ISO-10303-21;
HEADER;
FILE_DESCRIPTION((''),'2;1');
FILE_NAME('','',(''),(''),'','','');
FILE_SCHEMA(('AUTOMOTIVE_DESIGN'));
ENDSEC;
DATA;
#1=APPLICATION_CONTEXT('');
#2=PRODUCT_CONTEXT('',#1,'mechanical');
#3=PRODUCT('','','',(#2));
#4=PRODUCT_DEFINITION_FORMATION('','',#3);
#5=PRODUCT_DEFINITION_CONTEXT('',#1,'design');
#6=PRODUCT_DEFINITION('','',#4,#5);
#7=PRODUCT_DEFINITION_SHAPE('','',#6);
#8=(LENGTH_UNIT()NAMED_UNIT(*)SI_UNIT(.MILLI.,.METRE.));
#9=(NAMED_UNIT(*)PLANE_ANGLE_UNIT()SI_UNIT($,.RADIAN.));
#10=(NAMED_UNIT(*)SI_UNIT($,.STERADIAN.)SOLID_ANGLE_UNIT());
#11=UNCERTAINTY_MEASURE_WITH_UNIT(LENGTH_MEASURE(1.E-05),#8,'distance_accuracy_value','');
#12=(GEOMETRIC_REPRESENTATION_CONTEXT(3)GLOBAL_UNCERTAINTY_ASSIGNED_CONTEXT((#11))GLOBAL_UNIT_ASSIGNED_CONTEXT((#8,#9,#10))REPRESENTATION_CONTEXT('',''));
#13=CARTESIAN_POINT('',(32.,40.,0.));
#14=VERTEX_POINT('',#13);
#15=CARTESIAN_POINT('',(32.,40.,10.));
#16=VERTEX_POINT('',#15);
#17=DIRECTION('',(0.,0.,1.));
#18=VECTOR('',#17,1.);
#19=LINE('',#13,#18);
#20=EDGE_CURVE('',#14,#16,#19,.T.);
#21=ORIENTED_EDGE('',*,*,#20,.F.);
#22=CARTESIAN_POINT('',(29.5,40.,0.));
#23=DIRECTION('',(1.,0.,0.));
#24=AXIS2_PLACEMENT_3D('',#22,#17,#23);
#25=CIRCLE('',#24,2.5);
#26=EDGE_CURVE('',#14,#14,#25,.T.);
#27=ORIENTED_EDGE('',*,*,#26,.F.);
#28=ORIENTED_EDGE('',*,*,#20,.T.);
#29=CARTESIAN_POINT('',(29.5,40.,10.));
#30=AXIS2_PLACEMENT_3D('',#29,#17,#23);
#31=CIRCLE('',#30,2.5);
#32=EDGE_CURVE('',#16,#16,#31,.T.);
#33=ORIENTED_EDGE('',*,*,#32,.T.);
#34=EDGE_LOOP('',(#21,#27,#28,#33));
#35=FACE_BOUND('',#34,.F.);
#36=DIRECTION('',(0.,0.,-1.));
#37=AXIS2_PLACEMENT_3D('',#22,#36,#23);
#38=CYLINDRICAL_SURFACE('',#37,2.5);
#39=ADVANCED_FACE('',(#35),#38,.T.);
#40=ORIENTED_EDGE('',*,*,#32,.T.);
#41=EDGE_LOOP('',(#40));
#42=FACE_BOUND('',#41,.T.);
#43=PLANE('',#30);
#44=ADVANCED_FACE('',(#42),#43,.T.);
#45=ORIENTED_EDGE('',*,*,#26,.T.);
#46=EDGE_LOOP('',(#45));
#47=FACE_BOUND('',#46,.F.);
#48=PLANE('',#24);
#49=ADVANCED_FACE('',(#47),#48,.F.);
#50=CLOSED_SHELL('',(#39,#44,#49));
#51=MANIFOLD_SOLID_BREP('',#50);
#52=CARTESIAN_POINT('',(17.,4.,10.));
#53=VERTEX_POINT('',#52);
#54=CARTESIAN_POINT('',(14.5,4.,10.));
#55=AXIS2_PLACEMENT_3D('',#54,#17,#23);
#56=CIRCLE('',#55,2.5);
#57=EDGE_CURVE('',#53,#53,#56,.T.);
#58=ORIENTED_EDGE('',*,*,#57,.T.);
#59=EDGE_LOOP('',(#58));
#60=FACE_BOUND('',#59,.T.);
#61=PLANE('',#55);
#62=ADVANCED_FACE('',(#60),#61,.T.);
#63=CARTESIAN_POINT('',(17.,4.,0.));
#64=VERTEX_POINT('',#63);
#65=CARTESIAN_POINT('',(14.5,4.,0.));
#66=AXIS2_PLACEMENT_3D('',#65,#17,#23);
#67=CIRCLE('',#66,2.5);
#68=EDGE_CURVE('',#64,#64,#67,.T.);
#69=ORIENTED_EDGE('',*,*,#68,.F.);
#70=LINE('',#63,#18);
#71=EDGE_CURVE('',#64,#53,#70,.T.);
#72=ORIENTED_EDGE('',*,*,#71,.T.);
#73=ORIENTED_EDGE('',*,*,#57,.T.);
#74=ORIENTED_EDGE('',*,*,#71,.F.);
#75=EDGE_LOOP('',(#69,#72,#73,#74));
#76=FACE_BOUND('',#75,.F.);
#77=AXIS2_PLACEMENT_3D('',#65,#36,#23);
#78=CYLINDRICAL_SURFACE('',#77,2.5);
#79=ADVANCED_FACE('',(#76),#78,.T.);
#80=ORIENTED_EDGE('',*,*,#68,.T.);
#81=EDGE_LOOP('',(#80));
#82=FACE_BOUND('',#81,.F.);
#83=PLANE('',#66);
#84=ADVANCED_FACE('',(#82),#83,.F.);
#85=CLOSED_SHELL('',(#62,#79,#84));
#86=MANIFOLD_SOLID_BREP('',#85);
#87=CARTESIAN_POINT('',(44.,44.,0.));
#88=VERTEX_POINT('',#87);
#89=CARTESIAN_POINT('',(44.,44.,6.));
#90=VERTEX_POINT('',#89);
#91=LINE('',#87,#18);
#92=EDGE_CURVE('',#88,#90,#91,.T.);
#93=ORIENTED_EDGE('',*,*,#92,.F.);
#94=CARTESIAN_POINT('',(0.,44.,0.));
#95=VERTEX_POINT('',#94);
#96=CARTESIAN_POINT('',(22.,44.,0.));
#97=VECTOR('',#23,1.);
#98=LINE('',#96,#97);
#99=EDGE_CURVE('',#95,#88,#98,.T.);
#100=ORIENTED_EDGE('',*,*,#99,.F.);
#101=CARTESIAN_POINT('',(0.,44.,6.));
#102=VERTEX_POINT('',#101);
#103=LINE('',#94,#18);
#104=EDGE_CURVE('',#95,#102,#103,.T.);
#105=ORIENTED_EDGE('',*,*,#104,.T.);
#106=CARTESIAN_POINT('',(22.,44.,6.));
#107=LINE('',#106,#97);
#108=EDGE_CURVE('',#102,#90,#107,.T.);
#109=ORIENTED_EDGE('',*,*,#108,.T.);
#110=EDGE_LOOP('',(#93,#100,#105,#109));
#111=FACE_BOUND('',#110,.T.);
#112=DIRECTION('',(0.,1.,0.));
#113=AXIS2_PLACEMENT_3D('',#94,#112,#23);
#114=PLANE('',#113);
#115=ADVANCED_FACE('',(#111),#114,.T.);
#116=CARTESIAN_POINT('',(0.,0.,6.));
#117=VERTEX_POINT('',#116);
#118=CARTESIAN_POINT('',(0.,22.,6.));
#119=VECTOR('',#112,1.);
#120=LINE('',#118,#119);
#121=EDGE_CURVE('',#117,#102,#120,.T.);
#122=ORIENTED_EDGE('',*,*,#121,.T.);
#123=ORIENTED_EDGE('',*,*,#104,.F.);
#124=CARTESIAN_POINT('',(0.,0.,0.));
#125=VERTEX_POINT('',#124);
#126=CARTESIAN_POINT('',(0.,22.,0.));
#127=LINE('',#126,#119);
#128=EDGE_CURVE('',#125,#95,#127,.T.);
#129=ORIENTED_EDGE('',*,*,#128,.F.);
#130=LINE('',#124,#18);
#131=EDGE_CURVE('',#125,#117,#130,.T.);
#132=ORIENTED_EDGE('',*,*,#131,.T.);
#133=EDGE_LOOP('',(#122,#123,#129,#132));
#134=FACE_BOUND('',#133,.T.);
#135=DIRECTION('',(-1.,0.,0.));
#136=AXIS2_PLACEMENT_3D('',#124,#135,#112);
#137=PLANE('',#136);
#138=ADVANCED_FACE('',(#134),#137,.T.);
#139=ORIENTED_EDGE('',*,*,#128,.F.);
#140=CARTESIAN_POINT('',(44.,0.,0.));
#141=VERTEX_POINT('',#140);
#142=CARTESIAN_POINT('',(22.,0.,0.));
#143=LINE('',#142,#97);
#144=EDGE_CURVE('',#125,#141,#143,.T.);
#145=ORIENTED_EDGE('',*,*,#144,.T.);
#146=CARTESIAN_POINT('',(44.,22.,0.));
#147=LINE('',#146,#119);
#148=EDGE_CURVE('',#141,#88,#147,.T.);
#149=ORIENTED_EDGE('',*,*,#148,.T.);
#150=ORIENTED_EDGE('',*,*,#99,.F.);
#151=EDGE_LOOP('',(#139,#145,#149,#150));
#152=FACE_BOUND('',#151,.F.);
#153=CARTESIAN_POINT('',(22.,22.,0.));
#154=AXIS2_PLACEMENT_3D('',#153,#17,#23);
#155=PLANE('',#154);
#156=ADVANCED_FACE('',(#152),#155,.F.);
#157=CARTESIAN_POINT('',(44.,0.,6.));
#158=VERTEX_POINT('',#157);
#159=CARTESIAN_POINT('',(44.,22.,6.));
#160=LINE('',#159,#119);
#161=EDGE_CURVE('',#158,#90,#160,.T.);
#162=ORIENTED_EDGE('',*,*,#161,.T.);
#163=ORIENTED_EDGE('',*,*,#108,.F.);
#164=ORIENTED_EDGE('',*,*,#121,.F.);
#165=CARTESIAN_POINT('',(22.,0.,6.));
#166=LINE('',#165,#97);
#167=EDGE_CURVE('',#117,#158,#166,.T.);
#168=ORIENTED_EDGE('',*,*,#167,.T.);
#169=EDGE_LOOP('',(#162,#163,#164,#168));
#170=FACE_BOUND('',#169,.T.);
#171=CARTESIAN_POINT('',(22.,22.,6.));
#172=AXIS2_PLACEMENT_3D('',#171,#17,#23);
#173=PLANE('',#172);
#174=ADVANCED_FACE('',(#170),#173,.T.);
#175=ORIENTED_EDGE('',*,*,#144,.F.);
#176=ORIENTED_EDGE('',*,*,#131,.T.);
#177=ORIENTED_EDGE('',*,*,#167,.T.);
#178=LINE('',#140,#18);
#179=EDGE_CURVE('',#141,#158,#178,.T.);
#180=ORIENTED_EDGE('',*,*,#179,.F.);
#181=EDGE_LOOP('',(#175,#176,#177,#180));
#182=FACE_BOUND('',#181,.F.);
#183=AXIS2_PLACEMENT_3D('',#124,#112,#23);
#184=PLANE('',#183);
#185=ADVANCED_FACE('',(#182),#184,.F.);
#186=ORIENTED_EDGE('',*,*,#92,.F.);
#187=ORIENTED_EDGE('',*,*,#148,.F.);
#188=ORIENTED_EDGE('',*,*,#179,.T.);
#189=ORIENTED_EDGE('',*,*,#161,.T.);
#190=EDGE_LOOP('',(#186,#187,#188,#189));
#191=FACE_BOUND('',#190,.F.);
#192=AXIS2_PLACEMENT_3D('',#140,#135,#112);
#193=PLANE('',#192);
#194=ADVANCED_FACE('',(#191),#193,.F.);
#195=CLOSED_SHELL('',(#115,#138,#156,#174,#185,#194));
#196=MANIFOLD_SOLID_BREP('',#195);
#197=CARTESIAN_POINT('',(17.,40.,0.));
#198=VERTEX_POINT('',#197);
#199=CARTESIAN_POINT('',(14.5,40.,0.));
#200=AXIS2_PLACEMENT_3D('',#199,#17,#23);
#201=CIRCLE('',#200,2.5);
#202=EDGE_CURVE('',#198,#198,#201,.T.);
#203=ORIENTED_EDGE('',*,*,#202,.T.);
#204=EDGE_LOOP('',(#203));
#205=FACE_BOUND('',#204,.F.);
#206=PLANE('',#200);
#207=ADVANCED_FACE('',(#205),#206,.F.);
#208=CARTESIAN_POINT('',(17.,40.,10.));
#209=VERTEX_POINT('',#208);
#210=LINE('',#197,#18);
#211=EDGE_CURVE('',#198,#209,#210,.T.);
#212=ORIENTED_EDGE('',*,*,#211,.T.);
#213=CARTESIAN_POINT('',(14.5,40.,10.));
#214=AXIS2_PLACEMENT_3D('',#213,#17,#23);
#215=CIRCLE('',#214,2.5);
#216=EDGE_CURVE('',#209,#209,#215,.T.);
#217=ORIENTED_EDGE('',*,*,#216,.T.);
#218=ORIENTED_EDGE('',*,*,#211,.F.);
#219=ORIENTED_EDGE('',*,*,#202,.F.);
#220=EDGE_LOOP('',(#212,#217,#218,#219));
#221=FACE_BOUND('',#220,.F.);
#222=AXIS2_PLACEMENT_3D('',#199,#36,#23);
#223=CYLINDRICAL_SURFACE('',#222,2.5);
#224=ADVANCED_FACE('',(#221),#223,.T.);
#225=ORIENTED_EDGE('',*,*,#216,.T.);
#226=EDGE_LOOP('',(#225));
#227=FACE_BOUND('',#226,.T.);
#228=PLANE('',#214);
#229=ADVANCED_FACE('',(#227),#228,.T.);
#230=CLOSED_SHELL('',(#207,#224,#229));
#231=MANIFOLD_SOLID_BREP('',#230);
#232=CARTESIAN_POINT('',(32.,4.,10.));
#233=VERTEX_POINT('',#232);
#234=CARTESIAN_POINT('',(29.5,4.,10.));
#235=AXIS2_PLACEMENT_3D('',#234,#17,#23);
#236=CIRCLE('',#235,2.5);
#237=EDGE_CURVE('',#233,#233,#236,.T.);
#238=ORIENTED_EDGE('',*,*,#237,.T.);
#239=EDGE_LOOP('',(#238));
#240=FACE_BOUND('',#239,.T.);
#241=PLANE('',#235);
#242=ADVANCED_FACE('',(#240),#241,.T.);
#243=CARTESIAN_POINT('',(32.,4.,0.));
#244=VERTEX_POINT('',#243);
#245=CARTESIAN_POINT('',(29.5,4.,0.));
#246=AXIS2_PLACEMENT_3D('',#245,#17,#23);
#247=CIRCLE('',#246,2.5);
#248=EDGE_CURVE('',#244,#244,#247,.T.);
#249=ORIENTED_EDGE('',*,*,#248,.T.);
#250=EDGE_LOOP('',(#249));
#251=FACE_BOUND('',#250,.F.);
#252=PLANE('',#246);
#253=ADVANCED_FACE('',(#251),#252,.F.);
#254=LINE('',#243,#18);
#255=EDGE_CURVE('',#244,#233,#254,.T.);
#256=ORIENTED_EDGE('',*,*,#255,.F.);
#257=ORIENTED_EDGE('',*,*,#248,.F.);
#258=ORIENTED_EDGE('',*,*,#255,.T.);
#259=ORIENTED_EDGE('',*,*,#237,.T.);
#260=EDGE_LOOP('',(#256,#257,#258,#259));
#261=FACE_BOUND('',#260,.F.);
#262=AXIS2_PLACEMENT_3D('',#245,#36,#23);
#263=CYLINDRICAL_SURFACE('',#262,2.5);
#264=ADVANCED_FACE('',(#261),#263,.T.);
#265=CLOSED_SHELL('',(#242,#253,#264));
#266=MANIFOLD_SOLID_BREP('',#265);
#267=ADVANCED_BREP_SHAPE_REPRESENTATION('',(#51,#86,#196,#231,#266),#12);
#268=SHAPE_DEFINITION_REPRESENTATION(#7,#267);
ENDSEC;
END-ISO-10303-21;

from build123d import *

# Parameters (mm, degrees)
BOX_W             = 44
BOX_H             = 44
BOX_DEPTH         = 6
CYLINDER_R        = 2.5
CYLINDER_DEPTH    = 10
CYLINDER001_R     = 2.5
CYLINDER001_DEPTH = 10
CYLINDER002_R     = 2.5
CYLINDER002_DEPTH = 10
CYLINDER003_R     = 2.5
CYLINDER003_DEPTH = 10


with BuildPart() as cube:
    # Box → Box (new body)
    with BuildSketch(Plane.XY):
        with Locations((22, 22)):
            Rectangle(BOX_W, BOX_H)
    extrude(amount=BOX_DEPTH)


with BuildPart() as cylinder:
    # Cylinder → Cylinder (new body)
    with BuildSketch(Plane(origin=(14.5, 4, 0), x_dir=(1, 0, 0), z_dir=(0, 0, 1))):
        Circle(CYLINDER_R)
    extrude(amount=CYLINDER_DEPTH)


with BuildPart() as cylinder001:
    # Cylinder001 → Cylinder001 (new body)
    with BuildSketch(Plane(origin=(29.5, 4, 0), x_dir=(1, 0, 0), z_dir=(0, 0, 1))):
        Circle(CYLINDER001_R)
    extrude(amount=CYLINDER001_DEPTH)


with BuildPart() as cylinder002:
    # Cylinder002 → Cylinder002 (new body)
    with BuildSketch(Plane(origin=(14.5, 40, 0), x_dir=(1, 0, 0), z_dir=(0, 0, 1))):
        Circle(CYLINDER002_R)
    extrude(amount=CYLINDER002_DEPTH)


with BuildPart() as cylinder003:
    # Cylinder003 → Cylinder003 (new body)
    with BuildSketch(Plane(origin=(29.5, 40, 0), x_dir=(1, 0, 0), z_dir=(0, 0, 1))):
        Circle(CYLINDER003_R)
    extrude(amount=CYLINDER003_DEPTH)


solid = Compound([cube.part, cylinder.part, cylinder001.part, cylinder002.part, cylinder003.part])
